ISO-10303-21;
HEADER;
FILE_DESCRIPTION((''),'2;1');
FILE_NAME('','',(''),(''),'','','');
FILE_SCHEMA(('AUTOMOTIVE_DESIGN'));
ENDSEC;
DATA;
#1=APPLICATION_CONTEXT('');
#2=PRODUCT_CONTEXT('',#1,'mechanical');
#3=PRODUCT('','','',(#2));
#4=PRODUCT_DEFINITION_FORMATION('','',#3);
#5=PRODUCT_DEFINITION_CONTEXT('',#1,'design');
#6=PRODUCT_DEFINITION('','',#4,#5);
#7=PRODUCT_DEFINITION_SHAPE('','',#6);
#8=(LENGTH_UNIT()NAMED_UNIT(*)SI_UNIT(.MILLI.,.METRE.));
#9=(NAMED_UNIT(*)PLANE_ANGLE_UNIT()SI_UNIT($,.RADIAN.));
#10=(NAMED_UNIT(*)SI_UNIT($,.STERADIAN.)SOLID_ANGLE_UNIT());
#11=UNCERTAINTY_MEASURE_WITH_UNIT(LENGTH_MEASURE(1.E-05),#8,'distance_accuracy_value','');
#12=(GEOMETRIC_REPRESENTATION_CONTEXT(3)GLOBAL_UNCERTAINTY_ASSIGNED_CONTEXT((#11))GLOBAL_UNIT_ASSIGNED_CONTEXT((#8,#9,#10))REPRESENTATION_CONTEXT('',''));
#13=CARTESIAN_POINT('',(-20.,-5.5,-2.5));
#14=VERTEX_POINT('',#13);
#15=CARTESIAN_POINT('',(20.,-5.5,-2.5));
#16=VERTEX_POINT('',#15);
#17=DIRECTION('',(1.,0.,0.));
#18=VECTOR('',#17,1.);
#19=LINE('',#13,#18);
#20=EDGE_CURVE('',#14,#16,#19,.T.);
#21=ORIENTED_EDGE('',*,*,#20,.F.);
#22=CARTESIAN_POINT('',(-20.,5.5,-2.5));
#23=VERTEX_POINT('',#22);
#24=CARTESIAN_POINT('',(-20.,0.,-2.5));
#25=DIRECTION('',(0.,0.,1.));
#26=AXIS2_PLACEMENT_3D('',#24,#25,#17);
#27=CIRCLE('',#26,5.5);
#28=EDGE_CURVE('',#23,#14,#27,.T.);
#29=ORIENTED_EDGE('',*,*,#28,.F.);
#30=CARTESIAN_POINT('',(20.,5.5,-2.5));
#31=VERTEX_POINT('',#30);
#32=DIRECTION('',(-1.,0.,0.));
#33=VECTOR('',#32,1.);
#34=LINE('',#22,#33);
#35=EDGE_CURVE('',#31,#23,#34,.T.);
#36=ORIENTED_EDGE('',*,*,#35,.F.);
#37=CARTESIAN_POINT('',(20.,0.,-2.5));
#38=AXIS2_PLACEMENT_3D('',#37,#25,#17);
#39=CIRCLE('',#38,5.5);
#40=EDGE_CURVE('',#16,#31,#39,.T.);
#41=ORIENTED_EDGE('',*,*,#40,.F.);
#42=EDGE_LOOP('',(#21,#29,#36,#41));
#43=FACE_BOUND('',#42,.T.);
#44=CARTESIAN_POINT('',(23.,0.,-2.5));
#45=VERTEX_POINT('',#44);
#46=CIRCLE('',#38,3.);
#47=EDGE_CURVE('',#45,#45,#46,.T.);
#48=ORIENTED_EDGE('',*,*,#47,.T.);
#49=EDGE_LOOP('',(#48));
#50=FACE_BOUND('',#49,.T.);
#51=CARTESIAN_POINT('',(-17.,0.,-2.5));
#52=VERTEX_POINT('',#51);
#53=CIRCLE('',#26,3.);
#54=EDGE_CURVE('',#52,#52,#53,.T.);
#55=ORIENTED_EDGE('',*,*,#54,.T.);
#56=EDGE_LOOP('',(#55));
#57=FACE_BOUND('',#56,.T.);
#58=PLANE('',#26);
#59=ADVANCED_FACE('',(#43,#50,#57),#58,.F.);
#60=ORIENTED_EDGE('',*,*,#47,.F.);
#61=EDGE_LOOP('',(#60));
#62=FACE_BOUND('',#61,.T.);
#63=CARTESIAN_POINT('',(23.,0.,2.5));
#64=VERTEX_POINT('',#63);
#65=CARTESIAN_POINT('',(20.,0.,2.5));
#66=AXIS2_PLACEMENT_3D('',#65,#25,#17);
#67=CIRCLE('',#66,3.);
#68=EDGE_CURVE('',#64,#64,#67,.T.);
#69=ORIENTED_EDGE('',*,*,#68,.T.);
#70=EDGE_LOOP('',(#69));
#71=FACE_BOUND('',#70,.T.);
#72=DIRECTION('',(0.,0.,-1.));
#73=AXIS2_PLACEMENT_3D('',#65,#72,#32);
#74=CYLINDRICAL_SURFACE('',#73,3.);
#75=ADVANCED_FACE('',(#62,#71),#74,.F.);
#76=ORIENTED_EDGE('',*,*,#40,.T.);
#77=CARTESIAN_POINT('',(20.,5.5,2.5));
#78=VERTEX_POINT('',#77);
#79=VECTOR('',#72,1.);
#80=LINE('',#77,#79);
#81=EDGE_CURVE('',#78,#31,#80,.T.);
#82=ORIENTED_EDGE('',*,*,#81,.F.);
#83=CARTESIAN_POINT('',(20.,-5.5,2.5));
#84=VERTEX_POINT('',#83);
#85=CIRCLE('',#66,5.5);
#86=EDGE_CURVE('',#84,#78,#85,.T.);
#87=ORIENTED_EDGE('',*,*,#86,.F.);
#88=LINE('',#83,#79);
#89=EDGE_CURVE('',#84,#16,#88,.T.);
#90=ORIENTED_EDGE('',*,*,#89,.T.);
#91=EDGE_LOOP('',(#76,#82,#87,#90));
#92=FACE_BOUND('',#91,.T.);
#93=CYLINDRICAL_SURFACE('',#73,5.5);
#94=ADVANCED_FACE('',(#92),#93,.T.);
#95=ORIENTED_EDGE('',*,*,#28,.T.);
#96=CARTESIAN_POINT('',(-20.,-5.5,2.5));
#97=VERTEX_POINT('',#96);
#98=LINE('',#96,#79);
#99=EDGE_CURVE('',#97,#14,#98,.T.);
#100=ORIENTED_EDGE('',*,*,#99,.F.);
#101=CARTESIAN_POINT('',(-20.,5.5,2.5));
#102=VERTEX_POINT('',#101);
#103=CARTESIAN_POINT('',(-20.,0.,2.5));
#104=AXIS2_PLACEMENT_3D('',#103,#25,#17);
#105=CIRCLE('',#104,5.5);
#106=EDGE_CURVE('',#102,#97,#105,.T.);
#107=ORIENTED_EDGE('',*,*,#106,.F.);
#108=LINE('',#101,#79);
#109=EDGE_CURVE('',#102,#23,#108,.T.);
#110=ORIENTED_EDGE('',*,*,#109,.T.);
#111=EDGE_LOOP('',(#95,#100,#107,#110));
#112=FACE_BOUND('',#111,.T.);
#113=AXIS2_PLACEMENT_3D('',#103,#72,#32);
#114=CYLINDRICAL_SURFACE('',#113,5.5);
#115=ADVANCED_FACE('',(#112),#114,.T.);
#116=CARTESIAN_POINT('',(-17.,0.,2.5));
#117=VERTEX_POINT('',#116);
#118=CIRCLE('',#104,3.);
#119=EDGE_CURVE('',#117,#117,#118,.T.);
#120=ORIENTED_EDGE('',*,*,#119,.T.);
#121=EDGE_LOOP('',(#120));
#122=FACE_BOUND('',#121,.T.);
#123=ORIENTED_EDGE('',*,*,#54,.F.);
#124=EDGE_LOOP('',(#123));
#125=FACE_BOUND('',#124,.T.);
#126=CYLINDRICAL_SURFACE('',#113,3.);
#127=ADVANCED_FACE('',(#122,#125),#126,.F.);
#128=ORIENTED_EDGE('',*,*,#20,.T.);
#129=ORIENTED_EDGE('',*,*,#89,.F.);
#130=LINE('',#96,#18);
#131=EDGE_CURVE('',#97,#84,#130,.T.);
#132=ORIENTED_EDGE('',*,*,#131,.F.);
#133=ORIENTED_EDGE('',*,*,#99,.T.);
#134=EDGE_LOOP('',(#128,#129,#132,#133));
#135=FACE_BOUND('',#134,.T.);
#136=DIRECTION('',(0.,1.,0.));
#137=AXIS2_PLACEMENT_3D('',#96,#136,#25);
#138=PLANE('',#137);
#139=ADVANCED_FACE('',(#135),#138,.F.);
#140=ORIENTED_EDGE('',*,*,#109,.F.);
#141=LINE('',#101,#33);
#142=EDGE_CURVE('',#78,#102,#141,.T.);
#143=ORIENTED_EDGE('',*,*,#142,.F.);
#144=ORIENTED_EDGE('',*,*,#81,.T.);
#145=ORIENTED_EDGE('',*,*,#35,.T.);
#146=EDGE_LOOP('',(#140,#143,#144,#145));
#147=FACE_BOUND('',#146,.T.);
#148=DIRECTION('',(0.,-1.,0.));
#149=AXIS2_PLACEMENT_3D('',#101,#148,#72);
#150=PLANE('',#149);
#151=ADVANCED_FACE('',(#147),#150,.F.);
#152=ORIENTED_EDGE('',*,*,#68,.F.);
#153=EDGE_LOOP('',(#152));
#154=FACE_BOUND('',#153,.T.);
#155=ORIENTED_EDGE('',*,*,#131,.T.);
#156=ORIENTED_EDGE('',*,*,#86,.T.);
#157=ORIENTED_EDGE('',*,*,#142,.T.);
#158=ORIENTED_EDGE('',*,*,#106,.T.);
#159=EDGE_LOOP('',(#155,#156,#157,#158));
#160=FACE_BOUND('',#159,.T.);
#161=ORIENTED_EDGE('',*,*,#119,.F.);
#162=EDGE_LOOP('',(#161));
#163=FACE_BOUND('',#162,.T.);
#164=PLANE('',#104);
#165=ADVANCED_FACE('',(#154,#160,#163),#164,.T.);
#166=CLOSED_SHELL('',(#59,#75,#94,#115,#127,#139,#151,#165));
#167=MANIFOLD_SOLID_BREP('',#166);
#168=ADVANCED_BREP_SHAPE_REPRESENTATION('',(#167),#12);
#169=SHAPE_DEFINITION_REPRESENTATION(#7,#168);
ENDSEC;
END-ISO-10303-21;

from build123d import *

# Parameters (mm, degrees)
SKETCH1_R           = 3
BOSS_EXTRUDE1_DEPTH = 2.5


with BuildPart() as part:
    # Sketch1 → Boss-Extrude1 (new body, symmetric)
    with BuildSketch(Plane.XY):
        with BuildLine():
            Line((-20, 5.5), (20, 5.5))
            ThreePointArc((20, 5.5), (25.5, 0), (20, -5.5))
            Line((20, -5.5), (-20, -5.5))
            ThreePointArc((-20, -5.5), (-25.5, 0), (-20, 5.5))
        make_face()
        with Locations((-20, 0)):
            Circle(SKETCH1_R, mode=Mode.SUBTRACT)
        with Locations((20, 0)):
            Circle(SKETCH1_R, mode=Mode.SUBTRACT)
    extrude(amount=BOSS_EXTRUDE1_DEPTH, both=True)


solid = part.part
